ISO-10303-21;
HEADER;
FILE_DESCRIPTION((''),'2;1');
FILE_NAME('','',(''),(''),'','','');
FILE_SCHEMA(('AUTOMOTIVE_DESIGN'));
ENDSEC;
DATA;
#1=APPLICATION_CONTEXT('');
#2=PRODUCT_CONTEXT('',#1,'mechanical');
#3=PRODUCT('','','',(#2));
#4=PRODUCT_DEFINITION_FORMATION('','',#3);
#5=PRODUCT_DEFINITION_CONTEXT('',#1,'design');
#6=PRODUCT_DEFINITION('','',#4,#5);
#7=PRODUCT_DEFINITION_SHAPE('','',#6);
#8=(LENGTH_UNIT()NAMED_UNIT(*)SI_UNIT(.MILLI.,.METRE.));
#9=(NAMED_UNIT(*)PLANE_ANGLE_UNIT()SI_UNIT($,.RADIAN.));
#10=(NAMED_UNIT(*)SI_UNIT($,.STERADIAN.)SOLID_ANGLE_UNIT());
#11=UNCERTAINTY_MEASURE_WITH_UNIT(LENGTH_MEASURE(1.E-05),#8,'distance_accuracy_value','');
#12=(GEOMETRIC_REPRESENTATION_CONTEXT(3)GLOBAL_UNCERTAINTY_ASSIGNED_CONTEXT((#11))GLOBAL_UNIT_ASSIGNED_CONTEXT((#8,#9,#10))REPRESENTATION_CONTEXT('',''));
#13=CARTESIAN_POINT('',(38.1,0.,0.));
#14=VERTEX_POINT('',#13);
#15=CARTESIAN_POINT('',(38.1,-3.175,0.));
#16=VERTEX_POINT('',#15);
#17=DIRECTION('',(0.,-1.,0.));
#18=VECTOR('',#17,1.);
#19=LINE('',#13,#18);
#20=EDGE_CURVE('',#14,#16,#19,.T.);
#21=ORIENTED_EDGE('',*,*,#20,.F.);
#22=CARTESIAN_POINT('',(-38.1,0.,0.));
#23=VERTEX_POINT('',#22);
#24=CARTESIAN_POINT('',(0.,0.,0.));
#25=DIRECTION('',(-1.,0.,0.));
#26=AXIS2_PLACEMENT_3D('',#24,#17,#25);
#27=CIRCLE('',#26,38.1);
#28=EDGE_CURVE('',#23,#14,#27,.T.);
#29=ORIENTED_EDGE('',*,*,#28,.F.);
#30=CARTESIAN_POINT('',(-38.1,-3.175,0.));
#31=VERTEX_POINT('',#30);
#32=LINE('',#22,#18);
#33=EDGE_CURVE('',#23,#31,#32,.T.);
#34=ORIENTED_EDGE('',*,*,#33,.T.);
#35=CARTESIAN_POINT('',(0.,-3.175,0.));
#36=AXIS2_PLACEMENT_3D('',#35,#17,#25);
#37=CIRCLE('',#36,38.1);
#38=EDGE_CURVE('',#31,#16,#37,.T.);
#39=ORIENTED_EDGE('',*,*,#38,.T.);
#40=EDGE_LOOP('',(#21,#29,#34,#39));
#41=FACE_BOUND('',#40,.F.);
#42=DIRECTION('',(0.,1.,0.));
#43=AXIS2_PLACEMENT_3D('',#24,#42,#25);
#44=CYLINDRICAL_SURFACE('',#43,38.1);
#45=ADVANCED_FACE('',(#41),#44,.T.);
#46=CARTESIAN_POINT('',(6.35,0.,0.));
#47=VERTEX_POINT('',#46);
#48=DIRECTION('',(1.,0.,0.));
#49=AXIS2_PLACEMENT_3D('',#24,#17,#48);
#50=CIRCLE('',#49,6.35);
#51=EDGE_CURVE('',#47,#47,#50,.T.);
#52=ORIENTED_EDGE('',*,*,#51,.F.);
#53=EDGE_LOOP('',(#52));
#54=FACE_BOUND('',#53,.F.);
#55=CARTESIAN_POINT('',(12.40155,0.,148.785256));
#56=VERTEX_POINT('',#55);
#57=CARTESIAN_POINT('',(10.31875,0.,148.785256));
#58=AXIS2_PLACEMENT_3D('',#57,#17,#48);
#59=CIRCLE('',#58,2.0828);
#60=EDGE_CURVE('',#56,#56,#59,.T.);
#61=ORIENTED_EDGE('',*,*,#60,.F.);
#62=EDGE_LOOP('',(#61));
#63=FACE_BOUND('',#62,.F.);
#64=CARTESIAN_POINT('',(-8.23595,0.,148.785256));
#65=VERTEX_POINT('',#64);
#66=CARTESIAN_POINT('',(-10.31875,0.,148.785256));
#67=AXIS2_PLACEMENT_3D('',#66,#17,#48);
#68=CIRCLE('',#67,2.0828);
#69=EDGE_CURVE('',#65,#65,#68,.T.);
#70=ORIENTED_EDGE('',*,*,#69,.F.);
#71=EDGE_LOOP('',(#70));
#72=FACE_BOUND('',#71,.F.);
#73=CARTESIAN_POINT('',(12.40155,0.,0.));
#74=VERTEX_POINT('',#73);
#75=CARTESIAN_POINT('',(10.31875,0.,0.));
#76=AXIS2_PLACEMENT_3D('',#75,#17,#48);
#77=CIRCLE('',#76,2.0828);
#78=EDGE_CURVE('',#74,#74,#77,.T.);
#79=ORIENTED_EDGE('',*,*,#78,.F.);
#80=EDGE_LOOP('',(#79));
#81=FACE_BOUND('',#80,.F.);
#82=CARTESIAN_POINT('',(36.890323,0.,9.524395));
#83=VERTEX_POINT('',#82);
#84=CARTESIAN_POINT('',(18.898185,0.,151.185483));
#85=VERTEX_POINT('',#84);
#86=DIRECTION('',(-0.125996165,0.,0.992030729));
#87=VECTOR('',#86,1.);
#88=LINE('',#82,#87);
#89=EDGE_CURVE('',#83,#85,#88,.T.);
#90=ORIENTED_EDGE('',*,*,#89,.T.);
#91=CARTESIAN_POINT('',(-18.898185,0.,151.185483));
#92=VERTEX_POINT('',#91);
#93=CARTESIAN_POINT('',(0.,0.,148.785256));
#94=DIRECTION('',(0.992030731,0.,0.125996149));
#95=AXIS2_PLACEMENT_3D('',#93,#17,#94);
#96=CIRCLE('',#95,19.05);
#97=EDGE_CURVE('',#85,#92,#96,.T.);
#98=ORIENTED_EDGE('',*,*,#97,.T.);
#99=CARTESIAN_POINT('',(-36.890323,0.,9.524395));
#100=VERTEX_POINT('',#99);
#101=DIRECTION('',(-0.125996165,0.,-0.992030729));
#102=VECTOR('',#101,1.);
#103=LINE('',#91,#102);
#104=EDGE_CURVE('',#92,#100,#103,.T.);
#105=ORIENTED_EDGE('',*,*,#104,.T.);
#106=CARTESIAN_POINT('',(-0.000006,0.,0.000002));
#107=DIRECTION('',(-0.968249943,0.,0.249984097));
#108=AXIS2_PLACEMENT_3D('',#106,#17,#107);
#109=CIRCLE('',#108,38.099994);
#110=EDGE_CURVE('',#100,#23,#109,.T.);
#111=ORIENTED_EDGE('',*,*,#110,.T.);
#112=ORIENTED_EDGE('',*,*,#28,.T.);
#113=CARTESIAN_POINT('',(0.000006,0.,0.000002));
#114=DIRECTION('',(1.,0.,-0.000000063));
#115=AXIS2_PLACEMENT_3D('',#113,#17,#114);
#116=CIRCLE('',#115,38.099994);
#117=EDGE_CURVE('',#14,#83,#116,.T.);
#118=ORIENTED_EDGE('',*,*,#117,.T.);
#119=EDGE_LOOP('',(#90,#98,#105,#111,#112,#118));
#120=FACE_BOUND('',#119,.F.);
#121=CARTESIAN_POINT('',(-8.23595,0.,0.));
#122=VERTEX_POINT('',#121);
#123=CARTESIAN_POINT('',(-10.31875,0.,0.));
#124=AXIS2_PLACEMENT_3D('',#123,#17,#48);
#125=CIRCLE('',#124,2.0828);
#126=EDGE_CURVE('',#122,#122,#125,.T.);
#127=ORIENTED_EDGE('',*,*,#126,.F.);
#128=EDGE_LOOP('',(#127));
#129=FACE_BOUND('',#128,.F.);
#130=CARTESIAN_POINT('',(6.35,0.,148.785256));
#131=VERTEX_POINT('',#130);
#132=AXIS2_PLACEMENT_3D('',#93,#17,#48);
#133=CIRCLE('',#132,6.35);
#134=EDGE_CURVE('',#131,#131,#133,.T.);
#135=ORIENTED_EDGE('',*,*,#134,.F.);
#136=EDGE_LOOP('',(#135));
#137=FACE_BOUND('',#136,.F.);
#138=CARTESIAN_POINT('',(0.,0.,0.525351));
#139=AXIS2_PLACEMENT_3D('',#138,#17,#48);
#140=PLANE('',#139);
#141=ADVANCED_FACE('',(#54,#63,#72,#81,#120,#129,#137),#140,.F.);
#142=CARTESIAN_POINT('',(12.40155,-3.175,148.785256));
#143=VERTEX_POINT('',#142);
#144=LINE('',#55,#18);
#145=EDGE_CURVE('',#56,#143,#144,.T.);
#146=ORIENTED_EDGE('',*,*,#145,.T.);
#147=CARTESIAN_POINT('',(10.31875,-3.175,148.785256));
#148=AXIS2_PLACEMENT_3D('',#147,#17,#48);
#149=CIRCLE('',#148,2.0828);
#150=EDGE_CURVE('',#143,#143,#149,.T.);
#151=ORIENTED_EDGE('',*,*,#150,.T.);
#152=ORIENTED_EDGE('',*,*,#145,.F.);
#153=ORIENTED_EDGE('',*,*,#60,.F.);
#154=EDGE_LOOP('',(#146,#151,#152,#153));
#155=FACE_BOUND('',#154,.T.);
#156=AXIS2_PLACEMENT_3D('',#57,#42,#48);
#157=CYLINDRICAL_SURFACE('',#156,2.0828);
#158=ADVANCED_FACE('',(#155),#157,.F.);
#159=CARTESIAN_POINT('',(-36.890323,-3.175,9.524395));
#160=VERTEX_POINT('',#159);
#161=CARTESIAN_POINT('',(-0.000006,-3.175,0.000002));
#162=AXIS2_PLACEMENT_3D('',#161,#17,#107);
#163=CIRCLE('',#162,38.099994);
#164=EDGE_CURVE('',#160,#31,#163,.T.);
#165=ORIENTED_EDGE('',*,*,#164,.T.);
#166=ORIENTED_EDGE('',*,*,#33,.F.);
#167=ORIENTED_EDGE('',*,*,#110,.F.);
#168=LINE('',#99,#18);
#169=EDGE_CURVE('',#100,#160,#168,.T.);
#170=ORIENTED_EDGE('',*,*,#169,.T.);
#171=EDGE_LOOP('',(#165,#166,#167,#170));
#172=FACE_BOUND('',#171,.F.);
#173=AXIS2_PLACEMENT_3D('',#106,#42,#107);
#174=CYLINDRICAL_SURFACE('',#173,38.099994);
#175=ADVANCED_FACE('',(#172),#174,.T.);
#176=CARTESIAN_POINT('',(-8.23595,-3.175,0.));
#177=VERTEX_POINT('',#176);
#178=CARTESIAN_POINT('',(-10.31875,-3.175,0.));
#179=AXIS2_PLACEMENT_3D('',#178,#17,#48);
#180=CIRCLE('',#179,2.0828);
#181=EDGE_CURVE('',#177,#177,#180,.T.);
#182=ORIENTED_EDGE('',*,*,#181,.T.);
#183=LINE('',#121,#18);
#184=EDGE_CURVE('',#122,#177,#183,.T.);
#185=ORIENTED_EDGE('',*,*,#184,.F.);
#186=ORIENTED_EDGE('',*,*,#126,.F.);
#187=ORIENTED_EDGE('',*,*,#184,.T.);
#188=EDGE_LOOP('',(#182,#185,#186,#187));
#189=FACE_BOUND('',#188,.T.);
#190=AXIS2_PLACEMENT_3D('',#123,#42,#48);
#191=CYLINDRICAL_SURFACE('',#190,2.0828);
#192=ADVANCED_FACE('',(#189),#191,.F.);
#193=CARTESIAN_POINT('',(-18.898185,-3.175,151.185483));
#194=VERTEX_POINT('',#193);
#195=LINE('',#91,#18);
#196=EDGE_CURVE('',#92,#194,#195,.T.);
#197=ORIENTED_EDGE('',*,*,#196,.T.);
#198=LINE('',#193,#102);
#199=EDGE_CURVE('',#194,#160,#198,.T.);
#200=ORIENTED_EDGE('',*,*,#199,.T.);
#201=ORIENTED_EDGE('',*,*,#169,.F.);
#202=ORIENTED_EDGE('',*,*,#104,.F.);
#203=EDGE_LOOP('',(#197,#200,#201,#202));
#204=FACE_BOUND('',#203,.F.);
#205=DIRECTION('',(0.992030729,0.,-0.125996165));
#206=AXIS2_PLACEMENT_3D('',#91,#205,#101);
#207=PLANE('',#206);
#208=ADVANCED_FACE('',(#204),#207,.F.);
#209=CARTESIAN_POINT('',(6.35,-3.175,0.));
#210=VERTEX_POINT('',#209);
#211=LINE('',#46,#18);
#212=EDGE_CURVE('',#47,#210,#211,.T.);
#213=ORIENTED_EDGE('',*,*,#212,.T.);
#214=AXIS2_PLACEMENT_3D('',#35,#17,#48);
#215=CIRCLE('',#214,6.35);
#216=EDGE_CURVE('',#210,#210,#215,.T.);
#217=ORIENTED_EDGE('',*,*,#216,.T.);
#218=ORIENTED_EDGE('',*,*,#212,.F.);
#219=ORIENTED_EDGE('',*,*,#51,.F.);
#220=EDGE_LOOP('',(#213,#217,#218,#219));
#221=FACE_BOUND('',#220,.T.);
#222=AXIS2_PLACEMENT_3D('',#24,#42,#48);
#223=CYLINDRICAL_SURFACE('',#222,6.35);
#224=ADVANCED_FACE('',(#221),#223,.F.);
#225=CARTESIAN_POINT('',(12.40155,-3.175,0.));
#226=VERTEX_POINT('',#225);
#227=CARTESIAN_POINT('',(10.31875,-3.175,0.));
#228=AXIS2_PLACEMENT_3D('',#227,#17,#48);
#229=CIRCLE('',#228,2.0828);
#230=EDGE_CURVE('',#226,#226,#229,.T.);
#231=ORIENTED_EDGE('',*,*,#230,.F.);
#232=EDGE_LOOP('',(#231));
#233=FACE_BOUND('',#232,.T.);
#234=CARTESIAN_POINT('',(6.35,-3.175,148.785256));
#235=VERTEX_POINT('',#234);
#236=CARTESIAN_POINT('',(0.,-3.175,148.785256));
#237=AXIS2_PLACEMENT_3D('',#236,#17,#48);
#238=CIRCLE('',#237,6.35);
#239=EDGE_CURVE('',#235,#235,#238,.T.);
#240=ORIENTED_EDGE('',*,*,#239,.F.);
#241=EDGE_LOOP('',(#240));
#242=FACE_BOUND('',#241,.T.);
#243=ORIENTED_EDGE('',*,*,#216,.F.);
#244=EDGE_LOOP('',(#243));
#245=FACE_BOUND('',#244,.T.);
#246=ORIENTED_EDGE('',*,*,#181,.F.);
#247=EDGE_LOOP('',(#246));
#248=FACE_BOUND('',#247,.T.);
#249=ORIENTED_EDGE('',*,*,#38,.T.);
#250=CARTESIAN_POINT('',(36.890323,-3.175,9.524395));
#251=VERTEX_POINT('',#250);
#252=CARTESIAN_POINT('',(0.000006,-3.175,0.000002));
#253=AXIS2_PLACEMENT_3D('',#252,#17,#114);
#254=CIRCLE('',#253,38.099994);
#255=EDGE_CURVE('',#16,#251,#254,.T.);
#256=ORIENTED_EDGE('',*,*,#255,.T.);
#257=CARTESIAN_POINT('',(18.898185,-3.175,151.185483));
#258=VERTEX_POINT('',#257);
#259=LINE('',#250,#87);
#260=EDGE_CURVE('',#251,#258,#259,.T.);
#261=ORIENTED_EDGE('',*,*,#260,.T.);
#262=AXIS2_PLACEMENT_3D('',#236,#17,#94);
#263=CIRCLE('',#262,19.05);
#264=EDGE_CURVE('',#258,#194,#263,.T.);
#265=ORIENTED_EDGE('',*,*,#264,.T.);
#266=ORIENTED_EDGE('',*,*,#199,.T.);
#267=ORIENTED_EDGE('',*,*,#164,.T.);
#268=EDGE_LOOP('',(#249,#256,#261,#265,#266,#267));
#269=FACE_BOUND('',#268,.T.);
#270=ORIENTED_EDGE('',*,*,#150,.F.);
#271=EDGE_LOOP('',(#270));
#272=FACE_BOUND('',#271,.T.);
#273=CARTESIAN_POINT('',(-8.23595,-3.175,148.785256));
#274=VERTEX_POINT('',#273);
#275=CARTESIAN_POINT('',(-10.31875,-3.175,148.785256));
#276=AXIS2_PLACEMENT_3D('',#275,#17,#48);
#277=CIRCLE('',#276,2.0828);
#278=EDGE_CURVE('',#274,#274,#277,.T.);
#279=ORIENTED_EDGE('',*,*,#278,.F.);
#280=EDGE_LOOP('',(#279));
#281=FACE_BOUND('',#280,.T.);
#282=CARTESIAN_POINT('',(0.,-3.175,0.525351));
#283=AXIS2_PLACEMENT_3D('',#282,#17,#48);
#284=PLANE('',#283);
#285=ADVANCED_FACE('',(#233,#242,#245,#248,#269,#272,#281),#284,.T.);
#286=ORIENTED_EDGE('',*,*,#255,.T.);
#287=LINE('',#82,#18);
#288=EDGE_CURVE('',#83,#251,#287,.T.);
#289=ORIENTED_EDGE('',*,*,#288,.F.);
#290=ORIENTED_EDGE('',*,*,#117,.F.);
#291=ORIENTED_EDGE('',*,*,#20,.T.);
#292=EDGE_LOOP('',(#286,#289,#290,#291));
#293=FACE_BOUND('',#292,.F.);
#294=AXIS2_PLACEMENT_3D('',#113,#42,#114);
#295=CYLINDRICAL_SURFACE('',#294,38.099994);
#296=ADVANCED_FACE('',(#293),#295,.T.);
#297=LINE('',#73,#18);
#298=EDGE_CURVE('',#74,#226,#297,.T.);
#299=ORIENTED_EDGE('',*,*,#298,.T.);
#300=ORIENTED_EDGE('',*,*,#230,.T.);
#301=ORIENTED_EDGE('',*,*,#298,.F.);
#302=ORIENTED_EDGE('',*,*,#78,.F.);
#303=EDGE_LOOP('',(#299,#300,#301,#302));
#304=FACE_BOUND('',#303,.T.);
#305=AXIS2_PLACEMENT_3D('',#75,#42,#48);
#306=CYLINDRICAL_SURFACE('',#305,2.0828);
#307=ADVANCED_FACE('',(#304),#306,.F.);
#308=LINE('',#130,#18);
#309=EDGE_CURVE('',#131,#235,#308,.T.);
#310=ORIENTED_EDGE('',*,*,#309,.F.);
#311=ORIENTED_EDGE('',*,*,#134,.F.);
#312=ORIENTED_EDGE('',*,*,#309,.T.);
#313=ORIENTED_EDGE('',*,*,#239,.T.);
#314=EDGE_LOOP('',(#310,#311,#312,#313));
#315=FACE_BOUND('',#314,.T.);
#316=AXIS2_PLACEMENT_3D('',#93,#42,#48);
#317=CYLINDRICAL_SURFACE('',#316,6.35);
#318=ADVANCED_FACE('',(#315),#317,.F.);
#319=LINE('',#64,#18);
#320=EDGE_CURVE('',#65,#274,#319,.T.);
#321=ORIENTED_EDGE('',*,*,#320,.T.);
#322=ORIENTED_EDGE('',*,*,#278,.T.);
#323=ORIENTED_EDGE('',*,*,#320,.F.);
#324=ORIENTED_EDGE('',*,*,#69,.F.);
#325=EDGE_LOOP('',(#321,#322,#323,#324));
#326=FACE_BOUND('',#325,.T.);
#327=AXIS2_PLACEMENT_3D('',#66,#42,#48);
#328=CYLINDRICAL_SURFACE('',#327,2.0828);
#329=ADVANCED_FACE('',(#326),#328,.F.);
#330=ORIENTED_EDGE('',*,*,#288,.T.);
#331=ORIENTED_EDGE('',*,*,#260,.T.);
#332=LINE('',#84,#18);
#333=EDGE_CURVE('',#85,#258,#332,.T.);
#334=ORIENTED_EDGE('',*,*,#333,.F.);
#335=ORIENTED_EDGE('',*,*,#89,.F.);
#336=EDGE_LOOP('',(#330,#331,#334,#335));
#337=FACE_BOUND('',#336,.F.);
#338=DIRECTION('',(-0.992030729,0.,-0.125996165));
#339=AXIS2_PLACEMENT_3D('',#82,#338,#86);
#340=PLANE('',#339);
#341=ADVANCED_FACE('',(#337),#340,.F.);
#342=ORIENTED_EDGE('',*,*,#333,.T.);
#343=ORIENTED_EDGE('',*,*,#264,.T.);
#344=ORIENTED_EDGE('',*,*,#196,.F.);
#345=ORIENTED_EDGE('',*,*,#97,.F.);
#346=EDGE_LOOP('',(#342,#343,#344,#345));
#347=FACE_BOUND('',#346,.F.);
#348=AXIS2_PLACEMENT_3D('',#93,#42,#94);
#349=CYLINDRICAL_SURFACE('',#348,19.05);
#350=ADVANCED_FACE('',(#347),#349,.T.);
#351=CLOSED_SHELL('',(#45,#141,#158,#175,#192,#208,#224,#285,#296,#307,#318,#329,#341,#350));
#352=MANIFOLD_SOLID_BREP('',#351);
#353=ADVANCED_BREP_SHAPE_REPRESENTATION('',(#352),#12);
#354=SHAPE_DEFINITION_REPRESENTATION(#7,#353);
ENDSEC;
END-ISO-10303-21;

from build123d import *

# Parameters (mm, degrees)
F0_R     = 2.0828
F0_R_2   = 6.35
F1_DEPTH = 3.175


with BuildPart() as f1:
    # F0 (on Front) → F1 (new body)
    with BuildSketch(Plane.XZ):
        with BuildLine():
            Line((-36.890323, 9.524395), (-38.1, 0))
            ThreePointArc((-38.1, 0), (0, -38.1), (38.1, 0))
            Line((38.1, 0), (36.890323, 9.524395))
            ThreePointArc((36.890323, 9.524395), (0, 38.1), (-36.890323, 9.524395))
        make_face()
        with Locations((-10.31875, 0)):
            Circle(F0_R, mode=Mode.SUBTRACT)
        Circle(F0_R_2, mode=Mode.SUBTRACT)
        with Locations((10.31875, 0)):
            Circle(F0_R, mode=Mode.SUBTRACT)
        with BuildLine():
            ThreePointArc((-36.890323, 9.524395), (-37.796371, 4.800454), (-38.1, 0))
            Line((-38.1, 0), (-36.890323, 9.524395))
        make_face()
        with BuildLine():
            Line((36.890323, 9.524395), (38.1, 0))
            ThreePointArc((38.1, 0), (37.796371, 4.800454), (36.890323, 9.524395))
        make_face()
        with BuildLine():
            Line((-18.898185, 151.185483), (-36.890323, 9.524395))
            ThreePointArc((-36.890323, 9.524395), (0, 38.1), (36.890323, 9.524395))
            Line((36.890323, 9.524395), (18.898185, 151.185483))
            ThreePointArc((18.898185, 151.185483), (19.012008, 149.987768), (19.05, 148.785256))
            ThreePointArc((19.05, 148.785256), (-1.202512, 129.773248), (-18.898185, 151.185483))
        make_face()
        with BuildLine():
            ThreePointArc((18.898185, 151.185483), (0, 167.835256), (-18.898185, 151.185483))
            ThreePointArc((-18.898185, 151.185483), (-1.202512, 129.773248), (19.05, 148.785256))
            ThreePointArc((19.05, 148.785256), (19.012008, 149.987768), (18.898185, 151.185483))
        make_face()
        with Locations((-10.31875, 148.785256)):
            Circle(F0_R, mode=Mode.SUBTRACT)
        with Locations((0, 148.785256)):
            Circle(F0_R_2, mode=Mode.SUBTRACT)
        with Locations((10.31875, 148.785256)):
            Circle(F0_R, mode=Mode.SUBTRACT)
    extrude(amount=F1_DEPTH)


solid = f1.part
